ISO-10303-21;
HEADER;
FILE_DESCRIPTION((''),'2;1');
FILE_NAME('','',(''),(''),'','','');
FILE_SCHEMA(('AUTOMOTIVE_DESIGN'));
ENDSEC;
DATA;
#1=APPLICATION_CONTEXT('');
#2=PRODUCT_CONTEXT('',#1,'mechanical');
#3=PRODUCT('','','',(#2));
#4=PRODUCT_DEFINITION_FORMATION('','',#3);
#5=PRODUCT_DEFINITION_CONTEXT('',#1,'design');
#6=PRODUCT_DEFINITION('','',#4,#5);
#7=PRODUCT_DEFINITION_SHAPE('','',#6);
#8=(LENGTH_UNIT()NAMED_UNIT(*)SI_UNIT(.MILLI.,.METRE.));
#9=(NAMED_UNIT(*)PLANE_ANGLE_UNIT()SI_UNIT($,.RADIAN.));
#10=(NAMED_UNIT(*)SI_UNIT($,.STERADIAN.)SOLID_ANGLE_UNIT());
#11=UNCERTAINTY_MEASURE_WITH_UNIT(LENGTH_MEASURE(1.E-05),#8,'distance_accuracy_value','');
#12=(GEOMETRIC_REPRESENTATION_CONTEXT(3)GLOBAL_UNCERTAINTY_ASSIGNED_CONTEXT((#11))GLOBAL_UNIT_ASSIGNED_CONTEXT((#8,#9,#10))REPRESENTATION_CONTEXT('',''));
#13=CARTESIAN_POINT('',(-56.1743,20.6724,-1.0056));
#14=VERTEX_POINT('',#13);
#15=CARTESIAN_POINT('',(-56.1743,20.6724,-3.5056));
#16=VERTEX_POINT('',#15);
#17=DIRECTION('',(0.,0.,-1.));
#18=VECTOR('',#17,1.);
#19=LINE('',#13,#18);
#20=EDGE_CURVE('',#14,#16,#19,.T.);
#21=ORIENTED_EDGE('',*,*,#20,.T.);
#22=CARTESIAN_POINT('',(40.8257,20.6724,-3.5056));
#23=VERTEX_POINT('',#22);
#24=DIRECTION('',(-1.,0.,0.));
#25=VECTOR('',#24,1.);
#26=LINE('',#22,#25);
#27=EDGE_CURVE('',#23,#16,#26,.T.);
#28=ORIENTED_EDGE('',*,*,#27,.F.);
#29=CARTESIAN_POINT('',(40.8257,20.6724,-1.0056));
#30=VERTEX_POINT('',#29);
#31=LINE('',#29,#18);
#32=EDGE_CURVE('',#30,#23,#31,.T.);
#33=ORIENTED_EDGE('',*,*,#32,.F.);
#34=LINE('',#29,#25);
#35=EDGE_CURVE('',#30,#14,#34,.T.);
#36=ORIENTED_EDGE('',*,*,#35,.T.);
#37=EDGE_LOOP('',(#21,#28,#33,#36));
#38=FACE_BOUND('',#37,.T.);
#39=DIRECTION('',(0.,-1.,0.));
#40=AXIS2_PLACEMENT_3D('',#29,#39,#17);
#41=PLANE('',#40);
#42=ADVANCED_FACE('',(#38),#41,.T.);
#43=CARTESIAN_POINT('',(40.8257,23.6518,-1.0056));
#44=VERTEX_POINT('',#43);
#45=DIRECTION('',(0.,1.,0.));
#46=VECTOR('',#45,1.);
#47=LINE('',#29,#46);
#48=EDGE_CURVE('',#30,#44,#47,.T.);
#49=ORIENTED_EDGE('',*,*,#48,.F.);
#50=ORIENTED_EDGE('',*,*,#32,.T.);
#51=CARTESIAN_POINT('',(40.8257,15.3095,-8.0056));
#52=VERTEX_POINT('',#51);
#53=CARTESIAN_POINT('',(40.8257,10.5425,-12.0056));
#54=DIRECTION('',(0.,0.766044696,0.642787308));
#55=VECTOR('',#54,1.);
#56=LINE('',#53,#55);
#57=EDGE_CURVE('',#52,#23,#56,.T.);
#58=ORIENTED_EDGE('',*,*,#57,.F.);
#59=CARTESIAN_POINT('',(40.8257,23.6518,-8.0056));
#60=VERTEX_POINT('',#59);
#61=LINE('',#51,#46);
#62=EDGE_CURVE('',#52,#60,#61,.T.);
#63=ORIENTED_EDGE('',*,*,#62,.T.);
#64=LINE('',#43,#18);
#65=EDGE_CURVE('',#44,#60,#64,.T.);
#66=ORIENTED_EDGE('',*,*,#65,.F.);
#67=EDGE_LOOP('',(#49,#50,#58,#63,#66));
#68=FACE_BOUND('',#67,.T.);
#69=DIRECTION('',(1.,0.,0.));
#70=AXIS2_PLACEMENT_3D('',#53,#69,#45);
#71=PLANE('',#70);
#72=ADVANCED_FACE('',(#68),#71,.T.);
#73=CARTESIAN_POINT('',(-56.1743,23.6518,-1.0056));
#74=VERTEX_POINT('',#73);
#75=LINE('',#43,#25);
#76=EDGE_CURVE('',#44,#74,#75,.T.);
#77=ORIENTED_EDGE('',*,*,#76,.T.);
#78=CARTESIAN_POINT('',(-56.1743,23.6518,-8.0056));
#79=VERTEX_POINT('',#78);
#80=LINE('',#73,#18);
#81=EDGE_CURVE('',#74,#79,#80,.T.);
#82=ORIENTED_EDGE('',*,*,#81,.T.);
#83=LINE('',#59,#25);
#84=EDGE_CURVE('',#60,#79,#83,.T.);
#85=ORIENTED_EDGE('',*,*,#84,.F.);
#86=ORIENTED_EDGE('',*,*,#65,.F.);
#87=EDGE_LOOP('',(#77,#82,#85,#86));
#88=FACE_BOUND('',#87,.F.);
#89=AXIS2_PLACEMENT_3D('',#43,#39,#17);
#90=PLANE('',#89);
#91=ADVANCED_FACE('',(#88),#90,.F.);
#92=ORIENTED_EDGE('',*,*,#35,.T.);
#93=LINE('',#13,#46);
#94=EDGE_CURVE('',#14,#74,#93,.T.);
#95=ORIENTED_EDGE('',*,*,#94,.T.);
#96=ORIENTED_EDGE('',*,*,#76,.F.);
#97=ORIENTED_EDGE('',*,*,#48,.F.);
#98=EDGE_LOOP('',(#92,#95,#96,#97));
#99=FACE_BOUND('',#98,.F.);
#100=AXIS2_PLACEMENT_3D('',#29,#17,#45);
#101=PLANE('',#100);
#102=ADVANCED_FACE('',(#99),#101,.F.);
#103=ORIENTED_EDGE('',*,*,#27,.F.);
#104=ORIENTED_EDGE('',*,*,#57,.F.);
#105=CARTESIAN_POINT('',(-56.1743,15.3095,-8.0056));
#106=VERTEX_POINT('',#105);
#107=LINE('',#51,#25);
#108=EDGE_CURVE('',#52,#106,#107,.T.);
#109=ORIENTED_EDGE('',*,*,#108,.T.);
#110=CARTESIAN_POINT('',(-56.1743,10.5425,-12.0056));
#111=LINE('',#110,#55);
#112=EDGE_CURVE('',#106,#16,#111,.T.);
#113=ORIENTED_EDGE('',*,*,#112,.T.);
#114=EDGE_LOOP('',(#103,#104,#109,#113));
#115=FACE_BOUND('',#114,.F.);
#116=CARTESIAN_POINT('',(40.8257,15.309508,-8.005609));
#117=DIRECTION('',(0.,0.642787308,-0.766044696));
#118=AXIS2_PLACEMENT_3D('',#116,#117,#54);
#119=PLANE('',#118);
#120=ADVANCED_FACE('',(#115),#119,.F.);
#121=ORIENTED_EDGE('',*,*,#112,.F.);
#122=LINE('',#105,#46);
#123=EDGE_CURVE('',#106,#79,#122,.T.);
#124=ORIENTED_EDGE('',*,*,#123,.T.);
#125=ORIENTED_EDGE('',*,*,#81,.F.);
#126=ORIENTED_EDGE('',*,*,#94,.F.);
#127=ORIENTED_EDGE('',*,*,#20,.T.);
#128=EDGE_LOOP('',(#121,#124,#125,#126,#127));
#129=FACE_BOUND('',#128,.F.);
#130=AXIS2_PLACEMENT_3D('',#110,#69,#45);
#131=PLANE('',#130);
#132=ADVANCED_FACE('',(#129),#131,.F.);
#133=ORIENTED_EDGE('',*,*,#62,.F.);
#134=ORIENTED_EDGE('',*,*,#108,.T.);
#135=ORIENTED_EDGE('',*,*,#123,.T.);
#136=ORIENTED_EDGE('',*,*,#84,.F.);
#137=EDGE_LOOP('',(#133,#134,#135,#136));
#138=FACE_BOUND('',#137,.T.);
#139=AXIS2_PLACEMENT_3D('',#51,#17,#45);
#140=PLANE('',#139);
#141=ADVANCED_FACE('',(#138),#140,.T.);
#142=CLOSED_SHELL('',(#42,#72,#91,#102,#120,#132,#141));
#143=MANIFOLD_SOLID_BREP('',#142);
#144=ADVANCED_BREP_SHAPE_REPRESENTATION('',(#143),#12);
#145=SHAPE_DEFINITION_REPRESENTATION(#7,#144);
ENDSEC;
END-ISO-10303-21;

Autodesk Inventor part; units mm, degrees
ref_plane "YZ Plane" through (0, 0, 0) normal (1, 0, 0) x (0, 1, 0)
ref_plane "XZ Plane" through (0, 0, 0) normal (0, 1, 0) x (-1, 0, 0)
ref_plane "Work Plane1" through (40.8257, 10.5425, -12.0056) normal (1, 0, 0) x (0, 1, 0)
sketch "Sketch1" plane through (40.8257, 10.5425, -12.0056) normal (1, 0, 0) x (0, 1, 0)
  line L0 (4.767, 4) -> (97, 4) projected
  line L1 (0, 0) -> (97, 0) projected
  line L2 (97, 0) -> (97, 4) projected
  line L3 (4.767, 4) -> (97, 4) projected
  line L4 (0, 0) -> (13.1093, 11)
  line L5 (10.1299, 11) -> (13.1093, 11)
  line L6 (10.1299, 11) -> (10.1299, 8.5)
  line L7 (13.1093, 11) -> (13.1093, 4)
  line L8 (4.767, 4) -> (13.1093, 4)
  line L9 (4.767, 4) -> (0, 0) projected
  point P0 (-10.5425, 12.0056)
  point P1 (4.767, 4)
  dimension "d2" = 7
  dimension "d3" = 40
  dimension "d4" = 2.5
ref_plane "Work Plane2" through (-56.1743, 10.5425, -12.0056) normal (-1, 0, 0) x (0, 0, 1)
extrude "Extrusion1" add sketch "Sketch1" against normal up to surface (97 mm away) contours L4 L7 L0 | L6 L5 L4
properties part number "PlasticBody"
